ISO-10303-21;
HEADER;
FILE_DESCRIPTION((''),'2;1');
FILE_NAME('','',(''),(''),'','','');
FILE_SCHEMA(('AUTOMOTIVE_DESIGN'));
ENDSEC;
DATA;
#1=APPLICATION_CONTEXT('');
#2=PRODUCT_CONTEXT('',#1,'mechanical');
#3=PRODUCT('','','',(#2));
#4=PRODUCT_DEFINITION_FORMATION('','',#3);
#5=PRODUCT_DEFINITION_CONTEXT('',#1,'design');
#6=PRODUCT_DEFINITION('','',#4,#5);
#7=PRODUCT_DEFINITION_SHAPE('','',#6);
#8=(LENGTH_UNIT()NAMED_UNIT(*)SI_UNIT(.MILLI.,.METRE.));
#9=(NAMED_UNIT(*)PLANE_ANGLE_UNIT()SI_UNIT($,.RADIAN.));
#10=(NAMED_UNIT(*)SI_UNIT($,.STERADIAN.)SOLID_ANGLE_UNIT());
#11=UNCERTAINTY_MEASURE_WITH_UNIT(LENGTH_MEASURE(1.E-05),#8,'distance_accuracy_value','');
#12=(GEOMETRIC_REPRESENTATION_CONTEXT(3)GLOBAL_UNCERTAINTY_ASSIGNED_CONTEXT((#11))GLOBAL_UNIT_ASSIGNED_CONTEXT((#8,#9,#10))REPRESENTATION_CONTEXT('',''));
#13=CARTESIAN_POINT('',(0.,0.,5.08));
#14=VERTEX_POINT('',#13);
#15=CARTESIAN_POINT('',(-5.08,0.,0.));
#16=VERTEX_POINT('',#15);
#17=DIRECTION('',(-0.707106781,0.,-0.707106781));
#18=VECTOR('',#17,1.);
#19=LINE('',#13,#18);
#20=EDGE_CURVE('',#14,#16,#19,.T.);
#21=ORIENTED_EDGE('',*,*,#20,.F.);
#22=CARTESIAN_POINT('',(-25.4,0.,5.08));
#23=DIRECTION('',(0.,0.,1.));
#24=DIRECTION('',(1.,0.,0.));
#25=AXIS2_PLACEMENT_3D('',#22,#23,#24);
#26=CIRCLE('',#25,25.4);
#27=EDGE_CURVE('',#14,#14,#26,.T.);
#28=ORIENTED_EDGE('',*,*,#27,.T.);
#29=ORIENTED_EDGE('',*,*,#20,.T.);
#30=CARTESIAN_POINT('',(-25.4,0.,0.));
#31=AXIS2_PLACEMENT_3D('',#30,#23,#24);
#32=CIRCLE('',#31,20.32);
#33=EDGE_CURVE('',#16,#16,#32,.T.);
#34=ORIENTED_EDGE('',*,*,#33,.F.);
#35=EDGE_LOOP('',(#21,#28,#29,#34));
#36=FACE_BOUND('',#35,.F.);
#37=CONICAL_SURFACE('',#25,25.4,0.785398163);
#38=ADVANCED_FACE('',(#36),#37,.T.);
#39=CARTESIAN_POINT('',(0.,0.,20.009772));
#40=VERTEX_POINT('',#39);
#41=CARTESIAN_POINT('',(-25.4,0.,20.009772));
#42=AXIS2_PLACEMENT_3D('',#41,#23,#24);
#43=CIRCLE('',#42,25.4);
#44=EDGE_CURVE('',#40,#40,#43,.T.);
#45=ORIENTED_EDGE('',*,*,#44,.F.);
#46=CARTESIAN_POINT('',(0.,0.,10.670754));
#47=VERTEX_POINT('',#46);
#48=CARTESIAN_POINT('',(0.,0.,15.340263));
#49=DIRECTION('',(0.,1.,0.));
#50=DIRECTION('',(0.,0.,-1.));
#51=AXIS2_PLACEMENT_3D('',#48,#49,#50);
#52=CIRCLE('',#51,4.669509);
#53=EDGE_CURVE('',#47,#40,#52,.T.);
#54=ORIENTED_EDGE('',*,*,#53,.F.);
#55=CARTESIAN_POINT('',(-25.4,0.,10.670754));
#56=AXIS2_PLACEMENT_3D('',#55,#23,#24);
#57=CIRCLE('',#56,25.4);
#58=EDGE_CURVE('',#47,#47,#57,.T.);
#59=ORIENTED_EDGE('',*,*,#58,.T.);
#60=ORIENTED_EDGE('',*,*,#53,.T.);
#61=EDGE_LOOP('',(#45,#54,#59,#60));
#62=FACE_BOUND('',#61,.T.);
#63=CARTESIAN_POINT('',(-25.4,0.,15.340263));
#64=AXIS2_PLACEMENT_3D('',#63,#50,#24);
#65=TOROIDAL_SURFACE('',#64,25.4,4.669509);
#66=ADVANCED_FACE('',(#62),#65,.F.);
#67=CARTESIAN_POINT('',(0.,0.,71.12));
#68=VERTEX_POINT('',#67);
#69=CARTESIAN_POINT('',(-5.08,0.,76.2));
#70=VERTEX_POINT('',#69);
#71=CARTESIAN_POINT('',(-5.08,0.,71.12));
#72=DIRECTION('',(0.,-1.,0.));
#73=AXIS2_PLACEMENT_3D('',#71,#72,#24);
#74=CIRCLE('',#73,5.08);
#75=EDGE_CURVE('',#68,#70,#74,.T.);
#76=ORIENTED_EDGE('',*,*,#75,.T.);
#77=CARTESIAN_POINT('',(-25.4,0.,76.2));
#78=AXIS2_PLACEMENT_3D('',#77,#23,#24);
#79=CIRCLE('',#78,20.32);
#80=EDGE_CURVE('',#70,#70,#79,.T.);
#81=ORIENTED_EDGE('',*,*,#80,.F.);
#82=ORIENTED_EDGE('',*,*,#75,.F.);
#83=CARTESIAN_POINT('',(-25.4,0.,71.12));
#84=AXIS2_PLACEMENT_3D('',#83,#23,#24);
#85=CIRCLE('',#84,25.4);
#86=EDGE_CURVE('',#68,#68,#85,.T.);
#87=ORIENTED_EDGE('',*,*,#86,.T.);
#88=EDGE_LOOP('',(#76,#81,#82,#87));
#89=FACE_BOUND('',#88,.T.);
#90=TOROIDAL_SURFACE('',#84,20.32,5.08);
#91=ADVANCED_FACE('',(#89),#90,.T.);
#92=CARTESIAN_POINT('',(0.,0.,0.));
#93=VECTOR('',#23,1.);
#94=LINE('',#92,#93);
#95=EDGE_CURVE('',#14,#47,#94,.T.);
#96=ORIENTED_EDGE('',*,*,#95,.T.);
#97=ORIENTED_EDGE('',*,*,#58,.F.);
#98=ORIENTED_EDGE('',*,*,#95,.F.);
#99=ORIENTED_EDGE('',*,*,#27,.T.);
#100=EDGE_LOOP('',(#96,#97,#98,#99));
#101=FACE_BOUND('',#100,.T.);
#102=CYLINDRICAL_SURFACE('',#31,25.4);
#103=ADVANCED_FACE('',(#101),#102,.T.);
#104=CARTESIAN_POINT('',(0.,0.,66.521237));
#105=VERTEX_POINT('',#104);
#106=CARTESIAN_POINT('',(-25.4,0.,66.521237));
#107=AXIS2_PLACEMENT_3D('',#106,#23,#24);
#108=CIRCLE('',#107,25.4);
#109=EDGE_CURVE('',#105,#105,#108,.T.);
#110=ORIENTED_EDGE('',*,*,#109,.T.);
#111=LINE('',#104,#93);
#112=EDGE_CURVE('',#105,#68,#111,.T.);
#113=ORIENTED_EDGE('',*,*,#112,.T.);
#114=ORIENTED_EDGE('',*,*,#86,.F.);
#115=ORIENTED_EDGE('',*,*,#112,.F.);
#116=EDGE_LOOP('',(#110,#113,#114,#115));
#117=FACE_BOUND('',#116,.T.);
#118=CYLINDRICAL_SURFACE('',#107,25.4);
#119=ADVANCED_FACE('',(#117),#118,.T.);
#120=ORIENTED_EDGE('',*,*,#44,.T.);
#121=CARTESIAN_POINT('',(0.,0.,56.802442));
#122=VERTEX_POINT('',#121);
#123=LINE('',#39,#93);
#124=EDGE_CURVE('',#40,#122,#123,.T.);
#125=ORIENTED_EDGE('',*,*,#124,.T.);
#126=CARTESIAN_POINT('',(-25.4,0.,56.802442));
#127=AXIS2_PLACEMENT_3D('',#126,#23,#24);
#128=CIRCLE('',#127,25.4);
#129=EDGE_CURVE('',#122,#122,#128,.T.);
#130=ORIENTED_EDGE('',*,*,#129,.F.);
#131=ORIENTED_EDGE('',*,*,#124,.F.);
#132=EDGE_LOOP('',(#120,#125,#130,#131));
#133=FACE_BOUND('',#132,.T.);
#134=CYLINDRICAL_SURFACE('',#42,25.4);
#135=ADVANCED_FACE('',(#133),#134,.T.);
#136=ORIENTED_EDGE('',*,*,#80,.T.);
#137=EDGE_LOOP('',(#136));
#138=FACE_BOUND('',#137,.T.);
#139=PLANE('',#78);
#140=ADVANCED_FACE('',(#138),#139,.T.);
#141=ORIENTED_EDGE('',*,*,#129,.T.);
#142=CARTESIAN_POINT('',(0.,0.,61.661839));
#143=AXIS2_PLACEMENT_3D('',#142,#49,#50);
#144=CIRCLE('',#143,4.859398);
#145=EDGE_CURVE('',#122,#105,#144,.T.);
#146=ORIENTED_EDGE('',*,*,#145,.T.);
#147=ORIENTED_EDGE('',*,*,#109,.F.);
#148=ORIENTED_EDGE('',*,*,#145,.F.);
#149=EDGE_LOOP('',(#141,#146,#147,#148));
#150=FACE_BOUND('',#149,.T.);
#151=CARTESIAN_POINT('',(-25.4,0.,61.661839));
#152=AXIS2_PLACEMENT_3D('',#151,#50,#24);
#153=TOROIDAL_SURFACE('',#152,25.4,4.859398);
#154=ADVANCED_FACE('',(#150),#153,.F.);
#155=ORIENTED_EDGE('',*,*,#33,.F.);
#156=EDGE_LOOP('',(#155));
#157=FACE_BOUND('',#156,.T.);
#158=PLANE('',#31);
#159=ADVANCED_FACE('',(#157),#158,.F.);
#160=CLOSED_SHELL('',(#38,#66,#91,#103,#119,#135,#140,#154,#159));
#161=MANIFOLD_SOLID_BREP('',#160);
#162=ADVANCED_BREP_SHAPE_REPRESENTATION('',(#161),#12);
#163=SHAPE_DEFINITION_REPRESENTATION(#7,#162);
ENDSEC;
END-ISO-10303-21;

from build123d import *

# Parameters (mm, degrees)
F2_R    = 5.08
F3_SIZE = 5.08


with BuildPart() as f1:
    # F0 (on Front) → F1 (revolve)
    with BuildSketch(Plane.XZ):
        with BuildLine():
            Line((-25.4, 0), (0, 0))
            Line((0, 0), (0, 10.6707542909))
            ThreePointArc((0, 10.6707542909), (-4.6695087331, 15.340263024), (0, 20.0097717571))
            Line((0, 20.0097717571), (0, 56.8024416143))
            ThreePointArc((0, 56.8024416143), (-4.8593978709, 61.6618394852), (0, 66.521237356))
            Line((0, 66.521237356), (0, 76.2))
            Line((0, 76.2), (-25.4, 76.2))
            Line((-25.4, 76.2), (-25.4, 0))
        make_face()
    revolve(axis=Axis((-25.4, 0, 38.1), (0, 0, 1)))

    # F2
    f2_edges = [f1.edges().sort_by_distance(p)[0] for p in [
        (-50.8, 0, 76.2),
    ]]
    fillet(f2_edges, radius=F2_R)

    # F3
    f3_edges = [f1.edges().sort_by_distance(p)[0] for p in [
        (-50.8, 0, 0),
    ]]
    chamfer(f3_edges, length=F3_SIZE)


solid = f1.part
